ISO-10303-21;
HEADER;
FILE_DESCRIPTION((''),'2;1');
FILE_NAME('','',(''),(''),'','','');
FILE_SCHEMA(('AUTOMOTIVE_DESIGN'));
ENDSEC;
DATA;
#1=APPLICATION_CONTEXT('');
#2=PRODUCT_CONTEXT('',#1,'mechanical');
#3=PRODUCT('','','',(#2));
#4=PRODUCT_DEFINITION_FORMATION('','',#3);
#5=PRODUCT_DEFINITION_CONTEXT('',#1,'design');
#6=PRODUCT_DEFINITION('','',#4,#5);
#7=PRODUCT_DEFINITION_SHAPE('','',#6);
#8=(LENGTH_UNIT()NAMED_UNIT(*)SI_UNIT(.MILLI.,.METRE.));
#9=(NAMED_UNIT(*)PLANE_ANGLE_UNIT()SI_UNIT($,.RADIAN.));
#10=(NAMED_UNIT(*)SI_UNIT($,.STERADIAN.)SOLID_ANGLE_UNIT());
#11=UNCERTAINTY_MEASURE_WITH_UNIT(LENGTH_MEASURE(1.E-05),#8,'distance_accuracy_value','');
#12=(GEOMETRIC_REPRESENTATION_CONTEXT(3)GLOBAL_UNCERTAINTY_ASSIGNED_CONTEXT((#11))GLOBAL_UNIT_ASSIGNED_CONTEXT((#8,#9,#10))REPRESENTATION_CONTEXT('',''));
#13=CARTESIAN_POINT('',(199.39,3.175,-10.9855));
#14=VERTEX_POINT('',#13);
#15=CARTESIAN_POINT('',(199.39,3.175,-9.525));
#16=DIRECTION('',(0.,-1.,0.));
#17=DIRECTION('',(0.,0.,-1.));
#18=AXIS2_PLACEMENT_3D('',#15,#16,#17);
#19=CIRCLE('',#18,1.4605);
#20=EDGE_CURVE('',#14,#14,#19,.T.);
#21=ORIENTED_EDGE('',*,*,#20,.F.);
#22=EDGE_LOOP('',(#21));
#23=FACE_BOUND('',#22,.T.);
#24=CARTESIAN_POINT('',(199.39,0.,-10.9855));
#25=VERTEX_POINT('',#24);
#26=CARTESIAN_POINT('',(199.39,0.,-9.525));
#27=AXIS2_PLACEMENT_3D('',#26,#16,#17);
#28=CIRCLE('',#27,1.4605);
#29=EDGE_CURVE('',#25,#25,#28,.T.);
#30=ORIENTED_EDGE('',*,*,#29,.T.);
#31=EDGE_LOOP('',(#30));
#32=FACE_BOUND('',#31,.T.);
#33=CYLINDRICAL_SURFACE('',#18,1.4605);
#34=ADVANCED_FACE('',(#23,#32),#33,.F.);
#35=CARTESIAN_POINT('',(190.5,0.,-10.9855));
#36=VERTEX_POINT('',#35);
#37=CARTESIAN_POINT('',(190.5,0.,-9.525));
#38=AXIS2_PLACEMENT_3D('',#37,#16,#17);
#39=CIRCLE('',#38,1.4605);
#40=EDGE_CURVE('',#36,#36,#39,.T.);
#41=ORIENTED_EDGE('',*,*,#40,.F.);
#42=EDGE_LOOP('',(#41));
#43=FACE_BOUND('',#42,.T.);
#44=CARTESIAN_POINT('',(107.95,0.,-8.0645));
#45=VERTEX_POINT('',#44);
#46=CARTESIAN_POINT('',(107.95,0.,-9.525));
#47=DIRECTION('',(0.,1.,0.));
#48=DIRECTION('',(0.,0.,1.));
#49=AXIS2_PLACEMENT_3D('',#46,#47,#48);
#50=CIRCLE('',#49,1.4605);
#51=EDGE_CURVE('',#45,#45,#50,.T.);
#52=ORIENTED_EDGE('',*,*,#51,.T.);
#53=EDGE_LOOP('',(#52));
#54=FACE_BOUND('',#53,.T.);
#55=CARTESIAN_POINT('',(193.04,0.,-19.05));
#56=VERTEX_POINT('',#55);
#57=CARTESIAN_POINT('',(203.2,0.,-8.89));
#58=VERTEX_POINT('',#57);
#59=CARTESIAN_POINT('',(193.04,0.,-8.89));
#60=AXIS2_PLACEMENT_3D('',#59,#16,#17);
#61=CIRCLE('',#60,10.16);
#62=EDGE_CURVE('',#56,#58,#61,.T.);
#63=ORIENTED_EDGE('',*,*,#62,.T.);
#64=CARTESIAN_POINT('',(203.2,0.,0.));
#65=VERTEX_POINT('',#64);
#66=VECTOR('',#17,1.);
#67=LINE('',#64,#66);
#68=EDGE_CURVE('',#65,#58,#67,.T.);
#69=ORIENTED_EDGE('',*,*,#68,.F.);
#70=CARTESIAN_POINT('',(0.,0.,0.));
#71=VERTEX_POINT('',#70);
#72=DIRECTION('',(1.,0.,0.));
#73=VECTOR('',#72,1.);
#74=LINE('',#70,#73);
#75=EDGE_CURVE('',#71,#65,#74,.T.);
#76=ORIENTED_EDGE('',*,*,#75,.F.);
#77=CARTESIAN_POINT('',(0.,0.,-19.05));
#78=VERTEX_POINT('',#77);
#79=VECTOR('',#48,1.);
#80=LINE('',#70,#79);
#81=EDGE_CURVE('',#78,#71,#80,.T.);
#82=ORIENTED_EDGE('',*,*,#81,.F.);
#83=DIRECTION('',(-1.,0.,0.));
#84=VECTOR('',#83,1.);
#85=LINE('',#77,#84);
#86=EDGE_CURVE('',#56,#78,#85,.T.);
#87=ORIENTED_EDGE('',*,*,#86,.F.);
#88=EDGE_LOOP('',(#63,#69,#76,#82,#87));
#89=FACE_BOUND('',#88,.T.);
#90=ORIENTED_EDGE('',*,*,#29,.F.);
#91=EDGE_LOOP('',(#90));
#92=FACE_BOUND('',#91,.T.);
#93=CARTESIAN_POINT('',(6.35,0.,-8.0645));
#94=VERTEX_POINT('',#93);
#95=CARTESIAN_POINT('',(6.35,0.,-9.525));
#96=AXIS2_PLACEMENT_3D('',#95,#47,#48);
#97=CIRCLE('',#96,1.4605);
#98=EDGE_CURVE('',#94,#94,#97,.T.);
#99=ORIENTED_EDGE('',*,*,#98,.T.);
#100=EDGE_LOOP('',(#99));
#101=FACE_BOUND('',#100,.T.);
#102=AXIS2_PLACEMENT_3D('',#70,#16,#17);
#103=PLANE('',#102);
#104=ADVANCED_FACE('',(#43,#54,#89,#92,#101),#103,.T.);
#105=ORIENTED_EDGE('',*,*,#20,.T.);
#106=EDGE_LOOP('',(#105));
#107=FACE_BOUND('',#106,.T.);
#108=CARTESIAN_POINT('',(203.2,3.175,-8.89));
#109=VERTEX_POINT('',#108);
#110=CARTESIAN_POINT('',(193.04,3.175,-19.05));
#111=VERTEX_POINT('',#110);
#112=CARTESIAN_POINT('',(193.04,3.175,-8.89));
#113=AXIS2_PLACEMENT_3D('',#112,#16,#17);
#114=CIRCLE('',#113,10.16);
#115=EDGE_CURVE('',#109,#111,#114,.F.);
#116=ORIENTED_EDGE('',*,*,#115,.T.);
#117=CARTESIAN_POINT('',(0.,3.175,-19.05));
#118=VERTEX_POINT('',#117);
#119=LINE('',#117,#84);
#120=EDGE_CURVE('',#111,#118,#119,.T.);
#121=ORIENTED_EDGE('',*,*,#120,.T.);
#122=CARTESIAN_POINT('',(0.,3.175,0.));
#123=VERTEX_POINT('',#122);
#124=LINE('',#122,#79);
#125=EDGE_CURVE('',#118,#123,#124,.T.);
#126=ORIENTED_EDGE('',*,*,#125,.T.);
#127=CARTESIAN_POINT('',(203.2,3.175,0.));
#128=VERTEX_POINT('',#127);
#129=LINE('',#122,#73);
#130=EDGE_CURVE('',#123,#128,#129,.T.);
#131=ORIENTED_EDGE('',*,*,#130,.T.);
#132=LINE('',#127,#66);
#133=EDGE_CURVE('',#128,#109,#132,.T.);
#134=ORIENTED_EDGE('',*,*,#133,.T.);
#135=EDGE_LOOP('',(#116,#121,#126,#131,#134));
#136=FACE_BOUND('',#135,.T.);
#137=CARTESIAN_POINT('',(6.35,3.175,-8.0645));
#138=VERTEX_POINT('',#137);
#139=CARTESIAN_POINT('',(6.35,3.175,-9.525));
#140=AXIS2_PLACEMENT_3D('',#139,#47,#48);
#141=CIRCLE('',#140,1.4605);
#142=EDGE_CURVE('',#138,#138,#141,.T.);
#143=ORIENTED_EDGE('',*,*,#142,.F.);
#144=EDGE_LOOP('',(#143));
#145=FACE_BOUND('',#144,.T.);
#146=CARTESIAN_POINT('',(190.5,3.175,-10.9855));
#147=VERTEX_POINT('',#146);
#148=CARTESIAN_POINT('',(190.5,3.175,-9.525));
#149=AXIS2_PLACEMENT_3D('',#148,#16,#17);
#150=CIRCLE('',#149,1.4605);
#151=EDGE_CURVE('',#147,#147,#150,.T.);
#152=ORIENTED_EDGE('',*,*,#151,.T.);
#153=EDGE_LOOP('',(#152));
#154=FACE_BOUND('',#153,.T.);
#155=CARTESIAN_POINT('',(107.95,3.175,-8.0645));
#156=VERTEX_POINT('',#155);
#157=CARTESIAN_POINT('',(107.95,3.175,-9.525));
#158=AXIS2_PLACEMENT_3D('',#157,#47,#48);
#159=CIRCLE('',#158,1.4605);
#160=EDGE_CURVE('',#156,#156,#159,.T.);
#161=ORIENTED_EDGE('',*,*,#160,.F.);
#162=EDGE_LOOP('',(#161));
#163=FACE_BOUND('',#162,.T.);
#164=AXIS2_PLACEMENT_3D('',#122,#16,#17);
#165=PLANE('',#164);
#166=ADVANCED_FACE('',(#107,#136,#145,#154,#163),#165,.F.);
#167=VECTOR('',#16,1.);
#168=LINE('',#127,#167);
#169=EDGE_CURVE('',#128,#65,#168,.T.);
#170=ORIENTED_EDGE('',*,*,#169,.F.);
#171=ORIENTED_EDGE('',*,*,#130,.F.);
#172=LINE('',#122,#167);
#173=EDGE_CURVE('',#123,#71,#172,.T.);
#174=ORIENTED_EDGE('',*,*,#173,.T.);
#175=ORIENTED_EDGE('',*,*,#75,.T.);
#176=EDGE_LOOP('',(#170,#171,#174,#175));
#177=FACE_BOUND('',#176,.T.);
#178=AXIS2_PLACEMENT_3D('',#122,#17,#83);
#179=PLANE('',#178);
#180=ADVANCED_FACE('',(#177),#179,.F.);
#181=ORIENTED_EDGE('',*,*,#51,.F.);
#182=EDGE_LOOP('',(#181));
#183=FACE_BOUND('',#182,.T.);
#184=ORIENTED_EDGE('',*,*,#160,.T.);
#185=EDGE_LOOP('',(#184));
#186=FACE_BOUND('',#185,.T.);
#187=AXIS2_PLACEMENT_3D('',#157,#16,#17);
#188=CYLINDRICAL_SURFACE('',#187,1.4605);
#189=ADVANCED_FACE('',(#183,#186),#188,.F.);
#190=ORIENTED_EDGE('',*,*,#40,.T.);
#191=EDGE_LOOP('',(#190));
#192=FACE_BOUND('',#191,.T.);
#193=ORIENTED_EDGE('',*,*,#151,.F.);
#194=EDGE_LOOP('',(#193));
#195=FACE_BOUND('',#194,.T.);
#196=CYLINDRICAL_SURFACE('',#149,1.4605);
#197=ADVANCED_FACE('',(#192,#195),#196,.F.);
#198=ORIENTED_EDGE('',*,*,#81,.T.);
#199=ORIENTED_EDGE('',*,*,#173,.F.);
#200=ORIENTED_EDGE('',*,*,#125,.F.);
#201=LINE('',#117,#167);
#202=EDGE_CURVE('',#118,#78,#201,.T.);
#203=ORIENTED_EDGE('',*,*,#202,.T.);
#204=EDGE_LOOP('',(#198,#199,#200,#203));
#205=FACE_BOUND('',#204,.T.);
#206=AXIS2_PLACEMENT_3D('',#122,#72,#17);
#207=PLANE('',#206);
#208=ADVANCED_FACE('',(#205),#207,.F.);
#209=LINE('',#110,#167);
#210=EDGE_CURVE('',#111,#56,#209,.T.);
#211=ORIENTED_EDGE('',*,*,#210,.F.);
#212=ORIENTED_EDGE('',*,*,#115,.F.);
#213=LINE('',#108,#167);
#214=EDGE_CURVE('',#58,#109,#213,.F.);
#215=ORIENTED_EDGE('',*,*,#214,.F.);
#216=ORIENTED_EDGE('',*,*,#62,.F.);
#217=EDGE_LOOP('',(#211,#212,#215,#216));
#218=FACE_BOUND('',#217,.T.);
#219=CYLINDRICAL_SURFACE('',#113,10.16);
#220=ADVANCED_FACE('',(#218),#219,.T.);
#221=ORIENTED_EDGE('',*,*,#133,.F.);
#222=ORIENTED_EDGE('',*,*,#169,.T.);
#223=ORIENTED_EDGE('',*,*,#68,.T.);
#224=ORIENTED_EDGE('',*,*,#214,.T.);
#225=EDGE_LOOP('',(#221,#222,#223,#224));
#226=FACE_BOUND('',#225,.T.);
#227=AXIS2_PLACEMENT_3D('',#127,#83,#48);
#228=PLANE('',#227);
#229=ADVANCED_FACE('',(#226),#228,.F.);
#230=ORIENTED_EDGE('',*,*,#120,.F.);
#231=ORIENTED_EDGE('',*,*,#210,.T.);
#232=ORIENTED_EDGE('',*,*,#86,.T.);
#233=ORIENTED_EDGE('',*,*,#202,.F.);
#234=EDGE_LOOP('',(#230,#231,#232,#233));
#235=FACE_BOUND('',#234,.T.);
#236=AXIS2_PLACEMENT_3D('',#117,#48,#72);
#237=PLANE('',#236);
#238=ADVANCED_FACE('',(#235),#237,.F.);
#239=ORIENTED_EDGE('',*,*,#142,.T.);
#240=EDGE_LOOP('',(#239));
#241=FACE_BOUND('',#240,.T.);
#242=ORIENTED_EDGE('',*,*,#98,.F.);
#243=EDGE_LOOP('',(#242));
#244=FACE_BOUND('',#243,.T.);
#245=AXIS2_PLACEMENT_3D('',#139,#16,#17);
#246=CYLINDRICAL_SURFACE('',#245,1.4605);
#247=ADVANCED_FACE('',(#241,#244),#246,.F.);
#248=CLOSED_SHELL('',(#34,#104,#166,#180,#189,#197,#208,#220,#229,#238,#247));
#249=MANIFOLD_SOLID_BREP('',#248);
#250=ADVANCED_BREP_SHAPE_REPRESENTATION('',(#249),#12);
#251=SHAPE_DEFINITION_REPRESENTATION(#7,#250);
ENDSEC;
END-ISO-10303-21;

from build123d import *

# Parameters (mm, degrees)
SKETCH1_W           = 203.2
SKETCH1_H           = 19.05
SKETCH1_R           = 1.4605
BOSS_EXTRUDE1_DEPTH = 3.175
SKETCH2_R           = 1.4605
CUT_EXTRUDE1_DEPTH  = 205.115710138
FILLET1_R           = 10.16


with BuildPart() as part:
    # Sketch1 → Boss-Extrude1 (new body)
    with BuildSketch(Plane(origin=(0, 0, 0), x_dir=(1, 0, 0), z_dir=(0, 1, 0))):
        with Locations((101.6, 9.525)):
            Rectangle(SKETCH1_W, SKETCH1_H)
        with Locations(Location((6.35, 9.525, 0), (0, 0, 270))):
            Circle(SKETCH1_R, mode=Mode.SUBTRACT)
        with Locations(Location((107.95, 9.525, 0), (0, 0, 270))):
            Circle(SKETCH1_R, mode=Mode.SUBTRACT)
    extrude(amount=BOSS_EXTRUDE1_DEPTH)

    # Sketch2 → Cut-Extrude1 (cut, through all)
    with BuildSketch(Plane(origin=(0, 0, 0), x_dir=(-1, 0, 0), z_dir=(0, -1, 0))):
        with Locations(Location((-199.39, 9.525, 0), (0, 0, 90))):
            Circle(SKETCH2_R)
        with Locations(Location((-190.5, 9.525, 0), (0, 0, 90))):
            Circle(SKETCH2_R)
    extrude(amount=-CUT_EXTRUDE1_DEPTH, mode=Mode.SUBTRACT)

    # Fillet1
    fillet1_edges = [part.edges().sort_by_distance(p)[0] for p in [
        (203.2, 1.5875, -19.05),
    ]]
    fillet(fillet1_edges, radius=FILLET1_R)


solid = part.part
